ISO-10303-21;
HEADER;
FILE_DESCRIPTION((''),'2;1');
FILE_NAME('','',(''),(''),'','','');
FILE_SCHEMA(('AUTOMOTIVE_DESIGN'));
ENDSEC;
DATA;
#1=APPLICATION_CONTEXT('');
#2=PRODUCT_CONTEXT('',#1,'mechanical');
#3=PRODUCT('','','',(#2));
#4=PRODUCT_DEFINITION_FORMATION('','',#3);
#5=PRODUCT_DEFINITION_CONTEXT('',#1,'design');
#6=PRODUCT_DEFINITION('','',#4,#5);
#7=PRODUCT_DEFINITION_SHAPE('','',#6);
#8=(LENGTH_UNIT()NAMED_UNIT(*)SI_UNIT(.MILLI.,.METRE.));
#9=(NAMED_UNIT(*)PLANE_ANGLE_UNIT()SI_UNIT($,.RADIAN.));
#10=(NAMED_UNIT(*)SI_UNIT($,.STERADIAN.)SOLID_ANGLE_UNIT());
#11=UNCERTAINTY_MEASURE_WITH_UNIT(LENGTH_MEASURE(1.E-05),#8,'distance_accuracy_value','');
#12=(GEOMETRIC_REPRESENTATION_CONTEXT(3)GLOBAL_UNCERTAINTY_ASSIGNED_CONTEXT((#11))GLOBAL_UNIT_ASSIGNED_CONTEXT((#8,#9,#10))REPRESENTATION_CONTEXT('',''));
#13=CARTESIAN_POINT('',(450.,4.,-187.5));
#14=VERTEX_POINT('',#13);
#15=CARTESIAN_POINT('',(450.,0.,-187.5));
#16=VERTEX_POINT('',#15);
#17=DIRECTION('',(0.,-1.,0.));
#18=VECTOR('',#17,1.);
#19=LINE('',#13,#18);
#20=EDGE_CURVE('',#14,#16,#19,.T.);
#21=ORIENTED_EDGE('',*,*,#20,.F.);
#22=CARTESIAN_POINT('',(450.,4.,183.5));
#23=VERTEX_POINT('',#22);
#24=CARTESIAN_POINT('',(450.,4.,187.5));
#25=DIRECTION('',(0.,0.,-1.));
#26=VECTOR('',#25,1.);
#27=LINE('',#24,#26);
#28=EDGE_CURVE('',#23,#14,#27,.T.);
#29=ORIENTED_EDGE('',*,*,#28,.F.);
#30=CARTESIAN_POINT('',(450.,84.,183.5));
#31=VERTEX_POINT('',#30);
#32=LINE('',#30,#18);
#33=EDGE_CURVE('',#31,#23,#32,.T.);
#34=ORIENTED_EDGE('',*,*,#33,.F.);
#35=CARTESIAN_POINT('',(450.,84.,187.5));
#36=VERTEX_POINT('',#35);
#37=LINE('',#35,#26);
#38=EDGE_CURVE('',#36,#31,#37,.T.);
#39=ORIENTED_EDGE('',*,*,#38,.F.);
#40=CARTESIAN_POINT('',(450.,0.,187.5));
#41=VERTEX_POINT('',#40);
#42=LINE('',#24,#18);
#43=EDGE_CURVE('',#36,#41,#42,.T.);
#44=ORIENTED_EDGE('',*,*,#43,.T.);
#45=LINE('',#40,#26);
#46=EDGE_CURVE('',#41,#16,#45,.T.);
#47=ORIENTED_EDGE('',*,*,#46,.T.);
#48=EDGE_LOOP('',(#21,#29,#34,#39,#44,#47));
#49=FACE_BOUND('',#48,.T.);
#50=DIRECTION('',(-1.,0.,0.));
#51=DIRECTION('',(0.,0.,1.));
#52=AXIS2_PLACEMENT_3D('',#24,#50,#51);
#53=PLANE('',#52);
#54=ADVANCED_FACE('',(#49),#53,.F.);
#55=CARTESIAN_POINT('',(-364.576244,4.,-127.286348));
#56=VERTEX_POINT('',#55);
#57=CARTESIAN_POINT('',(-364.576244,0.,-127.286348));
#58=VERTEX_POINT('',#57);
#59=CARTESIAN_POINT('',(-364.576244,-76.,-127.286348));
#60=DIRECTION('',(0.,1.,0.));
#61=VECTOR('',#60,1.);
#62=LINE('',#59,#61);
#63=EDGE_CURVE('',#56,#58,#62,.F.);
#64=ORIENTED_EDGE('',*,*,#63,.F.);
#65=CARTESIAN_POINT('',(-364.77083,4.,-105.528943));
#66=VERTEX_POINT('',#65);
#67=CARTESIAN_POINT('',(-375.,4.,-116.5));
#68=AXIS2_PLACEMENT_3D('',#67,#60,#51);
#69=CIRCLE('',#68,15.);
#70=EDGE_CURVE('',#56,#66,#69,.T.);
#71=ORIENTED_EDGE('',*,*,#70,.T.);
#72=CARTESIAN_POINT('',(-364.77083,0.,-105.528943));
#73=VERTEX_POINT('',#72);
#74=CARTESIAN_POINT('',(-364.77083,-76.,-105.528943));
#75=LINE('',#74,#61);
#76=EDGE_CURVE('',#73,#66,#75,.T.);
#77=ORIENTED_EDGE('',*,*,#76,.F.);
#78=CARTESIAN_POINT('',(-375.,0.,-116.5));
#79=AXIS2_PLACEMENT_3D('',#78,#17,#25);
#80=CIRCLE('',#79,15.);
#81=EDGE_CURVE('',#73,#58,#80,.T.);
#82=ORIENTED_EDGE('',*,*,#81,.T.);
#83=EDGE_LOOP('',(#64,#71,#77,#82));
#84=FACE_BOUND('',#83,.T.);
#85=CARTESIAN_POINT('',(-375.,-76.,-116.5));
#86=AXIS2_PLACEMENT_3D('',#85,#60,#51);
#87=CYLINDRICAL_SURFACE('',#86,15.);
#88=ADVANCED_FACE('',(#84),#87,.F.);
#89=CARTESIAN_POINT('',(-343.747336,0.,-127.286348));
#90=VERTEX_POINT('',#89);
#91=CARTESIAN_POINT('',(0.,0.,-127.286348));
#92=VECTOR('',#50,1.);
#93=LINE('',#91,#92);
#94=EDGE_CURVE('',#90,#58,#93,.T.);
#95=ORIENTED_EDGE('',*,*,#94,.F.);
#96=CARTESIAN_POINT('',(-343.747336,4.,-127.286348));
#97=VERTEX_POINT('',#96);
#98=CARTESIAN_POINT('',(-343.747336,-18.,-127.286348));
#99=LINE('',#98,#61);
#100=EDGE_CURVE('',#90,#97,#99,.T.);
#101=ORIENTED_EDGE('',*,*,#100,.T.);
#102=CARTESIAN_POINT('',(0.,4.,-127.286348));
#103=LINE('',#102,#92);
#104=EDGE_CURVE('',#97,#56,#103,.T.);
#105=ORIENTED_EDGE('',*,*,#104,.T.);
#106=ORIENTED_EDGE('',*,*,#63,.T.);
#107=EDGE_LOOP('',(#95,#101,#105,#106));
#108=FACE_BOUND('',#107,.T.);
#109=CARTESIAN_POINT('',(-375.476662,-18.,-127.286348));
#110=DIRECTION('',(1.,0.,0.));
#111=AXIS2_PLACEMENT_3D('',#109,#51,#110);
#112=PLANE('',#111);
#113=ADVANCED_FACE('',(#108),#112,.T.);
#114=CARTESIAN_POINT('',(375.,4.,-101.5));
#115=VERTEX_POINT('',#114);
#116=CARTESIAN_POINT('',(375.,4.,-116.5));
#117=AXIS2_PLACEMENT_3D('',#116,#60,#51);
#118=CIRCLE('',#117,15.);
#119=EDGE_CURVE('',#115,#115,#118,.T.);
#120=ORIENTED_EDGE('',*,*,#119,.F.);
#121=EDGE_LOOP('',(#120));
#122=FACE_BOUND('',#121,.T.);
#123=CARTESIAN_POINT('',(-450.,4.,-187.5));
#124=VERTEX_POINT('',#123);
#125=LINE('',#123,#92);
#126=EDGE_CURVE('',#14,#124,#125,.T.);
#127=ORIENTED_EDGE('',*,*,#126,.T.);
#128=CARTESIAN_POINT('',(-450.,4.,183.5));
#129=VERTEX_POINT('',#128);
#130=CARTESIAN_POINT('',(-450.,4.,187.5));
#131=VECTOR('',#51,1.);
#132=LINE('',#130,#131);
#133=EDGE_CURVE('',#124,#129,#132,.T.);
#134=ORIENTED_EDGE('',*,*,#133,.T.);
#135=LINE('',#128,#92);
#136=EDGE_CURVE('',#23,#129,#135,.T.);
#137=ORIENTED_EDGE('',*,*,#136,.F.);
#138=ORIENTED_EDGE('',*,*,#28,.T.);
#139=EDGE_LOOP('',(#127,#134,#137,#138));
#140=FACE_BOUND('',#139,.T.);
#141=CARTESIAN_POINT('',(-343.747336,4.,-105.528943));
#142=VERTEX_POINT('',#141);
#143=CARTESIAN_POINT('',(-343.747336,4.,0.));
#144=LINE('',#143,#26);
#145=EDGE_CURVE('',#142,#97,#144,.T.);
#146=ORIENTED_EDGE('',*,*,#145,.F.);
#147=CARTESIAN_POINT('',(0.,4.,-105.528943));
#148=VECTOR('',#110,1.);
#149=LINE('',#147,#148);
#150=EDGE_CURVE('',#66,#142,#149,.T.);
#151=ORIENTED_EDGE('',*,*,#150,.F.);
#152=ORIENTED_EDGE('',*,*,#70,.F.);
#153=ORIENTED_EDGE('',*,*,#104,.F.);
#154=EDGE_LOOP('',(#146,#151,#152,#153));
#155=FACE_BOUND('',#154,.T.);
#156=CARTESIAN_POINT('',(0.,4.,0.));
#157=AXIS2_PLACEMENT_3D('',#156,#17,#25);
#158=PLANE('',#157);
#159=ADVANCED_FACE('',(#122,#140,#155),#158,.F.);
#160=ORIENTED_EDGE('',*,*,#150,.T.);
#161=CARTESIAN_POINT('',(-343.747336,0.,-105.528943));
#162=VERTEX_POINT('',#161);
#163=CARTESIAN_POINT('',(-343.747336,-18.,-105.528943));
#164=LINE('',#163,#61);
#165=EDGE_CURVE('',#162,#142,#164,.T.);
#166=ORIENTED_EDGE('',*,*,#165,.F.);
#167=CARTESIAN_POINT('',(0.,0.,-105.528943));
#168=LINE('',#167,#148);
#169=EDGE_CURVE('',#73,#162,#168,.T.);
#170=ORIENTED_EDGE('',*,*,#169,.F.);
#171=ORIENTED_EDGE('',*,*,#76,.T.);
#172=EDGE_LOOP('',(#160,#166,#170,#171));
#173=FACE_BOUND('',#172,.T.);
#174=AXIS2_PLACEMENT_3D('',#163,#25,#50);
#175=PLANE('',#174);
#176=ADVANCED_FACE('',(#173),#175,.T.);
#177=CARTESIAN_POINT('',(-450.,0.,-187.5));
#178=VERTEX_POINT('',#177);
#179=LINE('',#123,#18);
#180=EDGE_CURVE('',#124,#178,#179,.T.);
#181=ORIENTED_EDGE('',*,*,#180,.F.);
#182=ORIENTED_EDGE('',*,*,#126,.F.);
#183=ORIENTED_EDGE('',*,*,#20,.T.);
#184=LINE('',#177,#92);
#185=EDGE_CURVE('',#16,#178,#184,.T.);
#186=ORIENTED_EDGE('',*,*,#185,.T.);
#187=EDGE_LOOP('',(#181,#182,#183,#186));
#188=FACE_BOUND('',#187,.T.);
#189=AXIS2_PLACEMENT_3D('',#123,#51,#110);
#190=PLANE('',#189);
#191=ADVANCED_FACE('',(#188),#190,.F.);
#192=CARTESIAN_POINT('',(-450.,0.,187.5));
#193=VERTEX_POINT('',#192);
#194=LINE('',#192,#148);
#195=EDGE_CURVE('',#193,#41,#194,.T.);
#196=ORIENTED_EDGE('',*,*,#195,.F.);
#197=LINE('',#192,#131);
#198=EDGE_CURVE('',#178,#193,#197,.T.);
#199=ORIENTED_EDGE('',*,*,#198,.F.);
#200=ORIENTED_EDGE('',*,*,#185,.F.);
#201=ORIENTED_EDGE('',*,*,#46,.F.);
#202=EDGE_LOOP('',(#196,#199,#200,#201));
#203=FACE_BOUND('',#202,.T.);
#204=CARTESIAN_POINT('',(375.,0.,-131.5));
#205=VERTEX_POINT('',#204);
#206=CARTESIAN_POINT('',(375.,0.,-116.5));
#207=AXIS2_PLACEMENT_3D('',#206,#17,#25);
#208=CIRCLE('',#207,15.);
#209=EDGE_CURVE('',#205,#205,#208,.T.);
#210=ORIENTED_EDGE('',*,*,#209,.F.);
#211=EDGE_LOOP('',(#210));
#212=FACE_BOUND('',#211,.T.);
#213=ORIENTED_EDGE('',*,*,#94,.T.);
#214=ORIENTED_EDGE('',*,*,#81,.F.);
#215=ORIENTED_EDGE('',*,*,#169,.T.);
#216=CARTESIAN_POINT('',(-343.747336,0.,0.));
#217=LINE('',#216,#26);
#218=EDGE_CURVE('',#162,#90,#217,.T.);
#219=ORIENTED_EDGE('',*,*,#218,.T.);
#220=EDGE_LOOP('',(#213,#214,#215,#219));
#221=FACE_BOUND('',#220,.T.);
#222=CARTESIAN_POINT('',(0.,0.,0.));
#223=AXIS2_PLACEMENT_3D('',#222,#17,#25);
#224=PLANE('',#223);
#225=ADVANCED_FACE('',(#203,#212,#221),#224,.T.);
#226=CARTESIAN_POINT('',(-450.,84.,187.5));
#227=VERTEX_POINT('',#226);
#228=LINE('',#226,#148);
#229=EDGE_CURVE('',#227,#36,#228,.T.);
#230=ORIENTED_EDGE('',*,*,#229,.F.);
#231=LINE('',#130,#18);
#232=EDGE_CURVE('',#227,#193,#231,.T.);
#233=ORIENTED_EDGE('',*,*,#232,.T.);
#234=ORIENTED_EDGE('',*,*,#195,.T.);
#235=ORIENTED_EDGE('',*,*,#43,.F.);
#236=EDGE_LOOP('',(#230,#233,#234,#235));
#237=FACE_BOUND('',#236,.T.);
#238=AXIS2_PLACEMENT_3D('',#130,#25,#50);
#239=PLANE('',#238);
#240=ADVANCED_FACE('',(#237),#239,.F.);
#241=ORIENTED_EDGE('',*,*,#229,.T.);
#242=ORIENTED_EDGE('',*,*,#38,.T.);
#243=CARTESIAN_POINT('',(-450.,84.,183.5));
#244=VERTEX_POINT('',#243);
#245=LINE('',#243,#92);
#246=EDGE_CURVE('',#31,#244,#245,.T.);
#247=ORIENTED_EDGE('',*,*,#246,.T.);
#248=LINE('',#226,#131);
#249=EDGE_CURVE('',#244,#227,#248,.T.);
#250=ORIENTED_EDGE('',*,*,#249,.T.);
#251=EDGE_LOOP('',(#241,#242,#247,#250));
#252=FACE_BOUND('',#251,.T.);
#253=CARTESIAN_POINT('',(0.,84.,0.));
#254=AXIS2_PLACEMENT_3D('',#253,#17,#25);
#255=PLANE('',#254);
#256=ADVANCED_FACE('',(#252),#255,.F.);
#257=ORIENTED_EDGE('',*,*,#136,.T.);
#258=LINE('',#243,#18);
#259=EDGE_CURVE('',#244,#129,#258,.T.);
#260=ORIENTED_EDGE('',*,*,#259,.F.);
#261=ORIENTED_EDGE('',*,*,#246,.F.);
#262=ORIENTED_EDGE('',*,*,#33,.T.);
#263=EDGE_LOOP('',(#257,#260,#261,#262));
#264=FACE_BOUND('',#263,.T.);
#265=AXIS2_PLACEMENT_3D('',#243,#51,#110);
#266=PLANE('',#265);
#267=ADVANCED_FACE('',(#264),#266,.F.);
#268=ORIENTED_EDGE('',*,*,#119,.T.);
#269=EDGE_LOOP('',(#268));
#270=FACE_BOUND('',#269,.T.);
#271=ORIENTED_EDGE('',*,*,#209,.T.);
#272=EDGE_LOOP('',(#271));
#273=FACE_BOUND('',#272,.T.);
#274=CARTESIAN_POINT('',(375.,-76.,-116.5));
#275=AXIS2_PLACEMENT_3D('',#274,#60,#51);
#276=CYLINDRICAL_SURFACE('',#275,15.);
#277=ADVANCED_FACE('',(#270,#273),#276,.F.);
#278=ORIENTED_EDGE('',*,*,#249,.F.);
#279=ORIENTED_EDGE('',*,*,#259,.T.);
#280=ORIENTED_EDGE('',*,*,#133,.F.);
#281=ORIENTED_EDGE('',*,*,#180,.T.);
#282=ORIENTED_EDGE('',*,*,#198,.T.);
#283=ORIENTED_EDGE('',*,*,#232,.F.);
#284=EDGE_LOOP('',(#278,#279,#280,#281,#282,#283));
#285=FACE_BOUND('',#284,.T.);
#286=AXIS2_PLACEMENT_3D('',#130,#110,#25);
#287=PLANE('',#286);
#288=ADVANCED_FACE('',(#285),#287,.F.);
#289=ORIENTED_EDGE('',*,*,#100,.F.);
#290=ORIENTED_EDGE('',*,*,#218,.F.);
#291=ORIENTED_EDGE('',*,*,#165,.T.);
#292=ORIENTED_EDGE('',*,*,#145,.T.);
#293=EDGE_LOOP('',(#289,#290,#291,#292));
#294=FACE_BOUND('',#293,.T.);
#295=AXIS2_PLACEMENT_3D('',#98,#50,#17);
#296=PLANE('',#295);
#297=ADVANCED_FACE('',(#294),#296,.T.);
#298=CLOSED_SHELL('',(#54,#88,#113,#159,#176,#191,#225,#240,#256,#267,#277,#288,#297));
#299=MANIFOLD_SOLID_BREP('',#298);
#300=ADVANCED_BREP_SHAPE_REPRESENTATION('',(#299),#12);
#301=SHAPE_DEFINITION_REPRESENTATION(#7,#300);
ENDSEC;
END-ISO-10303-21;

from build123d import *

# Parameters (mm, degrees)
SKETCH1_W           = 900
SKETCH1_H           = 375
BOSS_EXTRUDE1_DEPTH = 4
SKETCH2_W           = 900
SKETCH2_H           = 4
BOSS_EXTRUDE2_DEPTH = 80
SKETCH3_R           = 15
CUT_EXTRUDE1_DEPTH  = 80
CUT_EXTRUDE2_DEPTH  = 48


with BuildPart() as part:
    # Sketch1 → Boss-Extrude1 (new body)
    with BuildSketch(Plane(origin=(0, 0, 0), x_dir=(1, 0, 0), z_dir=(0, 1, 0))):
        Rectangle(SKETCH1_W, SKETCH1_H)
    extrude(amount=BOSS_EXTRUDE1_DEPTH)

    # Sketch2 → Boss-Extrude2 (add)
    with BuildSketch(Plane(origin=(0, 4, 0), x_dir=(1, 0, 0), z_dir=(0, 1, 0))):
        with Locations((0, -185.5)):
            Rectangle(SKETCH2_W, SKETCH2_H)
    extrude(amount=BOSS_EXTRUDE2_DEPTH)

    # Sketch3 → Cut-Extrude1 (cut)
    with BuildSketch(Plane(origin=(0, 4, 0), x_dir=(1, 0, 0), z_dir=(0, 1, 0))):
        with Locations(Location((375, 116.5, 0), (0, 0, 270))):
            Circle(SKETCH3_R)
        with Locations(Location((-375, 116.5, 0), (0, 0, 270))):
            Circle(SKETCH3_R)
    extrude(amount=-CUT_EXTRUDE1_DEPTH, mode=Mode.SUBTRACT)

    # Sketch6 → Cut-Extrude2 (cut)
    with BuildSketch(Plane(origin=(0, 30, 0), x_dir=(-1, 0, 0), z_dir=(0, -1, 0))):
        Polygon((375.476662109, 116.274639687), (375.476662109, 127.286348112), (343.747335513, 127.286348112), (343.747335513, 105.528943218), (375.476662109, 105.528943218), align=None)
    extrude(amount=CUT_EXTRUDE2_DEPTH, mode=Mode.SUBTRACT)


solid = part.part
